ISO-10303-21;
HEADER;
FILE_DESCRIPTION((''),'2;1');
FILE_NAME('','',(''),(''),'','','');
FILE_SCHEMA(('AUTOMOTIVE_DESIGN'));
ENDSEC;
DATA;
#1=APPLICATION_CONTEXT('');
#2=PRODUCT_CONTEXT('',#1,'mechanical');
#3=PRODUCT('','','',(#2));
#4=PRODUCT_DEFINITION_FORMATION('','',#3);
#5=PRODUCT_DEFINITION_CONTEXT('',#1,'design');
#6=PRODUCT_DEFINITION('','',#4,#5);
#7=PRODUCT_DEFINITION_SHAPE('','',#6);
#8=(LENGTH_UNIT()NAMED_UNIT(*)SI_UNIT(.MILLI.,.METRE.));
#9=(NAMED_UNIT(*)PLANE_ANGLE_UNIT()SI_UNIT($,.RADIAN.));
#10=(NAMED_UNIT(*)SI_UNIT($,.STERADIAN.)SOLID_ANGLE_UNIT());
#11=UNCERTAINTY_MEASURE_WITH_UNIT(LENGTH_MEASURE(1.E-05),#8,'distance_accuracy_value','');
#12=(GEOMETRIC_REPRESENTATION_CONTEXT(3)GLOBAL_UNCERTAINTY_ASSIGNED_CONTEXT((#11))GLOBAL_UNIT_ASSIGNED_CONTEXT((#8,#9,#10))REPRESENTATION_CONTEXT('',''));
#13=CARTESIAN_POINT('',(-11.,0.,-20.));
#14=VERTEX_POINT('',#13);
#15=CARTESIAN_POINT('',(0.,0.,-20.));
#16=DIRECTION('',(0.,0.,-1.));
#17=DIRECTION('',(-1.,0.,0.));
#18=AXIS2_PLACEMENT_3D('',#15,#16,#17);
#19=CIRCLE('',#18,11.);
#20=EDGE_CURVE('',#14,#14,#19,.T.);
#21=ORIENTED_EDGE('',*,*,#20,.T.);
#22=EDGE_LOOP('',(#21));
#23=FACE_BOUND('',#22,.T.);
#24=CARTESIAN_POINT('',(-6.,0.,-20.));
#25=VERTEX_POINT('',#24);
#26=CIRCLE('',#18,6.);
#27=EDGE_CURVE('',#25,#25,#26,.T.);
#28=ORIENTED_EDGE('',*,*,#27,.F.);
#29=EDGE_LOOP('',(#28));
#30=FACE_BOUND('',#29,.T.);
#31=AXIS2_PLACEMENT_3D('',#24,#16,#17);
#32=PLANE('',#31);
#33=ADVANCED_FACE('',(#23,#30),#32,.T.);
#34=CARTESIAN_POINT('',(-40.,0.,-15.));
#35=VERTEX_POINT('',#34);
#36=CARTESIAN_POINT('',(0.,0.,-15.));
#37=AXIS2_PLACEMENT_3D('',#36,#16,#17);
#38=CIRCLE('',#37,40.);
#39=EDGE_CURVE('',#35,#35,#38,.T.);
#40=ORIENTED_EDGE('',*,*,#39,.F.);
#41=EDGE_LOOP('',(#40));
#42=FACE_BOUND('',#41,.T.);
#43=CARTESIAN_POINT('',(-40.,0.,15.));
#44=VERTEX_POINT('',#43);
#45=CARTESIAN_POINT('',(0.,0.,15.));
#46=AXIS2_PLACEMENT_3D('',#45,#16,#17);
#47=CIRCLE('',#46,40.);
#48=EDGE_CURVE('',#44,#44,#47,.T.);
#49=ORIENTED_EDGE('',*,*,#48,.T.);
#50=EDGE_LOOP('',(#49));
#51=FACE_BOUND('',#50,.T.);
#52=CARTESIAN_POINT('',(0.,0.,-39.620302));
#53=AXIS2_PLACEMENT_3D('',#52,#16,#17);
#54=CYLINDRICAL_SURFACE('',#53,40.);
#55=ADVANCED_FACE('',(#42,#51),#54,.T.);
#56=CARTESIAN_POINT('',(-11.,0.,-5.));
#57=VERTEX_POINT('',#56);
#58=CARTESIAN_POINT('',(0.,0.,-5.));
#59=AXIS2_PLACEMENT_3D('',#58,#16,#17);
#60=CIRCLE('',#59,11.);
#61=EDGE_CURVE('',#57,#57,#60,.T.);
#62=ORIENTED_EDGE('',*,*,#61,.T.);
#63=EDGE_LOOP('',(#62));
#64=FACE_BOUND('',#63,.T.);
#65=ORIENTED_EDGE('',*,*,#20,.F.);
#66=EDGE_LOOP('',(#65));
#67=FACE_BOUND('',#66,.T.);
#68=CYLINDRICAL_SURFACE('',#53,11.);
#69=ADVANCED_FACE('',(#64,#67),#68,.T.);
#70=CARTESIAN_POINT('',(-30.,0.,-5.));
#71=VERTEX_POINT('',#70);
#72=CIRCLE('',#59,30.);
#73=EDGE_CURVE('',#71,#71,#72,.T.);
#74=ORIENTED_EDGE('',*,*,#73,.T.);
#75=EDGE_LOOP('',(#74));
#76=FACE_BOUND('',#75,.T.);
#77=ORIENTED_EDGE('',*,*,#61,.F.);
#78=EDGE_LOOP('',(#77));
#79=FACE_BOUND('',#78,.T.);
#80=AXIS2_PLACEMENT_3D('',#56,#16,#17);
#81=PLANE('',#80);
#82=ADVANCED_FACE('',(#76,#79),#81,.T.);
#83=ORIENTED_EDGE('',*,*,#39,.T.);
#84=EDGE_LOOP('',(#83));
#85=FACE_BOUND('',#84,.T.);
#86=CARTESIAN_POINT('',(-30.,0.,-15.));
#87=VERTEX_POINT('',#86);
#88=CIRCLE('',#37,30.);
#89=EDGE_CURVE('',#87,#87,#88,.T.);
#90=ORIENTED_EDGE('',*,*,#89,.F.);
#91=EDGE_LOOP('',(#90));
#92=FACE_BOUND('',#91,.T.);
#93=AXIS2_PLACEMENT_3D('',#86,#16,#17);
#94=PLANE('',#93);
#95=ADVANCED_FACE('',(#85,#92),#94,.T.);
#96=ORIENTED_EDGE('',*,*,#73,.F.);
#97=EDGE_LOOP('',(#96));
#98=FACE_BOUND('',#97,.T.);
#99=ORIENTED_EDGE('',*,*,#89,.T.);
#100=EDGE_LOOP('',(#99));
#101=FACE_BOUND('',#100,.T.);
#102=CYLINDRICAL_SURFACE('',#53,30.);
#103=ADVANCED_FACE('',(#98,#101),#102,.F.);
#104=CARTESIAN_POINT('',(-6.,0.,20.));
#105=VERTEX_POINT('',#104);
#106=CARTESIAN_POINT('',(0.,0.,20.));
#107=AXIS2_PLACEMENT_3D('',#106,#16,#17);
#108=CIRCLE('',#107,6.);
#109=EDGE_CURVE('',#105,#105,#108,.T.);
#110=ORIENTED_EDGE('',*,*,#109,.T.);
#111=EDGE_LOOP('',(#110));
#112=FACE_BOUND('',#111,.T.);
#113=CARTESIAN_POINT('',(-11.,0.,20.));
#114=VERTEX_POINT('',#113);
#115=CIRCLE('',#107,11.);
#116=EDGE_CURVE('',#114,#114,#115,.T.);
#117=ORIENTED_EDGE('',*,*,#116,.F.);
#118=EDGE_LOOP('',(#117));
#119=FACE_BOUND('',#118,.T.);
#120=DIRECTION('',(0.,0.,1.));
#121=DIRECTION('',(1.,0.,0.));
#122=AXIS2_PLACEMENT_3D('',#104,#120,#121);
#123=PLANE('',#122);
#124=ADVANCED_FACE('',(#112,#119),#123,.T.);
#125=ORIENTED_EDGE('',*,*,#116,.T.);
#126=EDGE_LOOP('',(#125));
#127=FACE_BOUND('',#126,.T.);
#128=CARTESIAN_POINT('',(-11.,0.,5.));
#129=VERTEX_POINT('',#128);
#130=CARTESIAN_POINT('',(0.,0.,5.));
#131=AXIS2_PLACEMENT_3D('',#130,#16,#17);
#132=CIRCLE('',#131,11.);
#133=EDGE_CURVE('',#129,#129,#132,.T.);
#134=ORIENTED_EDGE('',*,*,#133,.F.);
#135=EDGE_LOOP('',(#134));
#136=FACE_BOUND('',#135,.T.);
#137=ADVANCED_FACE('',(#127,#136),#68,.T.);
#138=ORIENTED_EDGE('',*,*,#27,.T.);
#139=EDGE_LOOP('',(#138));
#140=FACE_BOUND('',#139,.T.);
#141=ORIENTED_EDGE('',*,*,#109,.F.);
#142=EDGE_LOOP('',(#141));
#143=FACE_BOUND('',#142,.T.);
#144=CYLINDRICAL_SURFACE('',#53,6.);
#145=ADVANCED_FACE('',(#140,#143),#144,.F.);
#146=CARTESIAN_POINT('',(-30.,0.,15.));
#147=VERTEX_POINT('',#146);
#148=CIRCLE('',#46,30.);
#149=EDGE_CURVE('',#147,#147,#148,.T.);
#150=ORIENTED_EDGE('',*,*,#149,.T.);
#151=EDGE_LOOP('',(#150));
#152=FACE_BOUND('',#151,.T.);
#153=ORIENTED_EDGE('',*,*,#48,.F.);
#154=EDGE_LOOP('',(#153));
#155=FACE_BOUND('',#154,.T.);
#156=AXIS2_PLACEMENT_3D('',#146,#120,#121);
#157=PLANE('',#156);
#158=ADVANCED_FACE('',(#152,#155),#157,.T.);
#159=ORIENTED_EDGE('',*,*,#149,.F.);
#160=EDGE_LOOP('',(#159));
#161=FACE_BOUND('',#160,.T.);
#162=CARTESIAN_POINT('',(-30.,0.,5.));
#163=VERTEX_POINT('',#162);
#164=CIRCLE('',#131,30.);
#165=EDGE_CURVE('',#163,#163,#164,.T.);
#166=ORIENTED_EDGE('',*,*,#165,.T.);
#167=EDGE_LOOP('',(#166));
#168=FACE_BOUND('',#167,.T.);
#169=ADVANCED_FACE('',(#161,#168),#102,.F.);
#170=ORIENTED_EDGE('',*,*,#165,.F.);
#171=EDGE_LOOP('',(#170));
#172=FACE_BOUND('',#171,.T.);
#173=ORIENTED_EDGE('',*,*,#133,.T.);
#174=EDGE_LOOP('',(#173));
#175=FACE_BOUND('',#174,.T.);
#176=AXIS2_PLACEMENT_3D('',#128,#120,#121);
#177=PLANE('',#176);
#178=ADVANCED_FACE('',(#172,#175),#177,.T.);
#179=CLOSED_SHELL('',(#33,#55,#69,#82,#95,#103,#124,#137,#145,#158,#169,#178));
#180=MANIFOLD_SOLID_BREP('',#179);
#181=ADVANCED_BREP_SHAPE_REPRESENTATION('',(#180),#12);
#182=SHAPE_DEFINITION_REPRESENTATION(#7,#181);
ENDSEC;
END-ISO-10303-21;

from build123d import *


with BuildPart() as part:
    # Эскиз1 → Повернуть1 (revolve)
    with BuildSketch(Plane(origin=(0, 0, 0), x_dir=(1, 0, 0), z_dir=(0, 1, 0))):
        Polygon((-6, -20), (-6, 20), (-11, 20), (-11, 5), (-30, 5), (-30, 15), (-40, 15), (-40, -15), (-30, -15), (-30, -5), (-11, -5), (-11, -20), align=None)
    revolve(axis=Axis((0, 0, -39.620302307), (0, 0, 1)))


solid = part.part
